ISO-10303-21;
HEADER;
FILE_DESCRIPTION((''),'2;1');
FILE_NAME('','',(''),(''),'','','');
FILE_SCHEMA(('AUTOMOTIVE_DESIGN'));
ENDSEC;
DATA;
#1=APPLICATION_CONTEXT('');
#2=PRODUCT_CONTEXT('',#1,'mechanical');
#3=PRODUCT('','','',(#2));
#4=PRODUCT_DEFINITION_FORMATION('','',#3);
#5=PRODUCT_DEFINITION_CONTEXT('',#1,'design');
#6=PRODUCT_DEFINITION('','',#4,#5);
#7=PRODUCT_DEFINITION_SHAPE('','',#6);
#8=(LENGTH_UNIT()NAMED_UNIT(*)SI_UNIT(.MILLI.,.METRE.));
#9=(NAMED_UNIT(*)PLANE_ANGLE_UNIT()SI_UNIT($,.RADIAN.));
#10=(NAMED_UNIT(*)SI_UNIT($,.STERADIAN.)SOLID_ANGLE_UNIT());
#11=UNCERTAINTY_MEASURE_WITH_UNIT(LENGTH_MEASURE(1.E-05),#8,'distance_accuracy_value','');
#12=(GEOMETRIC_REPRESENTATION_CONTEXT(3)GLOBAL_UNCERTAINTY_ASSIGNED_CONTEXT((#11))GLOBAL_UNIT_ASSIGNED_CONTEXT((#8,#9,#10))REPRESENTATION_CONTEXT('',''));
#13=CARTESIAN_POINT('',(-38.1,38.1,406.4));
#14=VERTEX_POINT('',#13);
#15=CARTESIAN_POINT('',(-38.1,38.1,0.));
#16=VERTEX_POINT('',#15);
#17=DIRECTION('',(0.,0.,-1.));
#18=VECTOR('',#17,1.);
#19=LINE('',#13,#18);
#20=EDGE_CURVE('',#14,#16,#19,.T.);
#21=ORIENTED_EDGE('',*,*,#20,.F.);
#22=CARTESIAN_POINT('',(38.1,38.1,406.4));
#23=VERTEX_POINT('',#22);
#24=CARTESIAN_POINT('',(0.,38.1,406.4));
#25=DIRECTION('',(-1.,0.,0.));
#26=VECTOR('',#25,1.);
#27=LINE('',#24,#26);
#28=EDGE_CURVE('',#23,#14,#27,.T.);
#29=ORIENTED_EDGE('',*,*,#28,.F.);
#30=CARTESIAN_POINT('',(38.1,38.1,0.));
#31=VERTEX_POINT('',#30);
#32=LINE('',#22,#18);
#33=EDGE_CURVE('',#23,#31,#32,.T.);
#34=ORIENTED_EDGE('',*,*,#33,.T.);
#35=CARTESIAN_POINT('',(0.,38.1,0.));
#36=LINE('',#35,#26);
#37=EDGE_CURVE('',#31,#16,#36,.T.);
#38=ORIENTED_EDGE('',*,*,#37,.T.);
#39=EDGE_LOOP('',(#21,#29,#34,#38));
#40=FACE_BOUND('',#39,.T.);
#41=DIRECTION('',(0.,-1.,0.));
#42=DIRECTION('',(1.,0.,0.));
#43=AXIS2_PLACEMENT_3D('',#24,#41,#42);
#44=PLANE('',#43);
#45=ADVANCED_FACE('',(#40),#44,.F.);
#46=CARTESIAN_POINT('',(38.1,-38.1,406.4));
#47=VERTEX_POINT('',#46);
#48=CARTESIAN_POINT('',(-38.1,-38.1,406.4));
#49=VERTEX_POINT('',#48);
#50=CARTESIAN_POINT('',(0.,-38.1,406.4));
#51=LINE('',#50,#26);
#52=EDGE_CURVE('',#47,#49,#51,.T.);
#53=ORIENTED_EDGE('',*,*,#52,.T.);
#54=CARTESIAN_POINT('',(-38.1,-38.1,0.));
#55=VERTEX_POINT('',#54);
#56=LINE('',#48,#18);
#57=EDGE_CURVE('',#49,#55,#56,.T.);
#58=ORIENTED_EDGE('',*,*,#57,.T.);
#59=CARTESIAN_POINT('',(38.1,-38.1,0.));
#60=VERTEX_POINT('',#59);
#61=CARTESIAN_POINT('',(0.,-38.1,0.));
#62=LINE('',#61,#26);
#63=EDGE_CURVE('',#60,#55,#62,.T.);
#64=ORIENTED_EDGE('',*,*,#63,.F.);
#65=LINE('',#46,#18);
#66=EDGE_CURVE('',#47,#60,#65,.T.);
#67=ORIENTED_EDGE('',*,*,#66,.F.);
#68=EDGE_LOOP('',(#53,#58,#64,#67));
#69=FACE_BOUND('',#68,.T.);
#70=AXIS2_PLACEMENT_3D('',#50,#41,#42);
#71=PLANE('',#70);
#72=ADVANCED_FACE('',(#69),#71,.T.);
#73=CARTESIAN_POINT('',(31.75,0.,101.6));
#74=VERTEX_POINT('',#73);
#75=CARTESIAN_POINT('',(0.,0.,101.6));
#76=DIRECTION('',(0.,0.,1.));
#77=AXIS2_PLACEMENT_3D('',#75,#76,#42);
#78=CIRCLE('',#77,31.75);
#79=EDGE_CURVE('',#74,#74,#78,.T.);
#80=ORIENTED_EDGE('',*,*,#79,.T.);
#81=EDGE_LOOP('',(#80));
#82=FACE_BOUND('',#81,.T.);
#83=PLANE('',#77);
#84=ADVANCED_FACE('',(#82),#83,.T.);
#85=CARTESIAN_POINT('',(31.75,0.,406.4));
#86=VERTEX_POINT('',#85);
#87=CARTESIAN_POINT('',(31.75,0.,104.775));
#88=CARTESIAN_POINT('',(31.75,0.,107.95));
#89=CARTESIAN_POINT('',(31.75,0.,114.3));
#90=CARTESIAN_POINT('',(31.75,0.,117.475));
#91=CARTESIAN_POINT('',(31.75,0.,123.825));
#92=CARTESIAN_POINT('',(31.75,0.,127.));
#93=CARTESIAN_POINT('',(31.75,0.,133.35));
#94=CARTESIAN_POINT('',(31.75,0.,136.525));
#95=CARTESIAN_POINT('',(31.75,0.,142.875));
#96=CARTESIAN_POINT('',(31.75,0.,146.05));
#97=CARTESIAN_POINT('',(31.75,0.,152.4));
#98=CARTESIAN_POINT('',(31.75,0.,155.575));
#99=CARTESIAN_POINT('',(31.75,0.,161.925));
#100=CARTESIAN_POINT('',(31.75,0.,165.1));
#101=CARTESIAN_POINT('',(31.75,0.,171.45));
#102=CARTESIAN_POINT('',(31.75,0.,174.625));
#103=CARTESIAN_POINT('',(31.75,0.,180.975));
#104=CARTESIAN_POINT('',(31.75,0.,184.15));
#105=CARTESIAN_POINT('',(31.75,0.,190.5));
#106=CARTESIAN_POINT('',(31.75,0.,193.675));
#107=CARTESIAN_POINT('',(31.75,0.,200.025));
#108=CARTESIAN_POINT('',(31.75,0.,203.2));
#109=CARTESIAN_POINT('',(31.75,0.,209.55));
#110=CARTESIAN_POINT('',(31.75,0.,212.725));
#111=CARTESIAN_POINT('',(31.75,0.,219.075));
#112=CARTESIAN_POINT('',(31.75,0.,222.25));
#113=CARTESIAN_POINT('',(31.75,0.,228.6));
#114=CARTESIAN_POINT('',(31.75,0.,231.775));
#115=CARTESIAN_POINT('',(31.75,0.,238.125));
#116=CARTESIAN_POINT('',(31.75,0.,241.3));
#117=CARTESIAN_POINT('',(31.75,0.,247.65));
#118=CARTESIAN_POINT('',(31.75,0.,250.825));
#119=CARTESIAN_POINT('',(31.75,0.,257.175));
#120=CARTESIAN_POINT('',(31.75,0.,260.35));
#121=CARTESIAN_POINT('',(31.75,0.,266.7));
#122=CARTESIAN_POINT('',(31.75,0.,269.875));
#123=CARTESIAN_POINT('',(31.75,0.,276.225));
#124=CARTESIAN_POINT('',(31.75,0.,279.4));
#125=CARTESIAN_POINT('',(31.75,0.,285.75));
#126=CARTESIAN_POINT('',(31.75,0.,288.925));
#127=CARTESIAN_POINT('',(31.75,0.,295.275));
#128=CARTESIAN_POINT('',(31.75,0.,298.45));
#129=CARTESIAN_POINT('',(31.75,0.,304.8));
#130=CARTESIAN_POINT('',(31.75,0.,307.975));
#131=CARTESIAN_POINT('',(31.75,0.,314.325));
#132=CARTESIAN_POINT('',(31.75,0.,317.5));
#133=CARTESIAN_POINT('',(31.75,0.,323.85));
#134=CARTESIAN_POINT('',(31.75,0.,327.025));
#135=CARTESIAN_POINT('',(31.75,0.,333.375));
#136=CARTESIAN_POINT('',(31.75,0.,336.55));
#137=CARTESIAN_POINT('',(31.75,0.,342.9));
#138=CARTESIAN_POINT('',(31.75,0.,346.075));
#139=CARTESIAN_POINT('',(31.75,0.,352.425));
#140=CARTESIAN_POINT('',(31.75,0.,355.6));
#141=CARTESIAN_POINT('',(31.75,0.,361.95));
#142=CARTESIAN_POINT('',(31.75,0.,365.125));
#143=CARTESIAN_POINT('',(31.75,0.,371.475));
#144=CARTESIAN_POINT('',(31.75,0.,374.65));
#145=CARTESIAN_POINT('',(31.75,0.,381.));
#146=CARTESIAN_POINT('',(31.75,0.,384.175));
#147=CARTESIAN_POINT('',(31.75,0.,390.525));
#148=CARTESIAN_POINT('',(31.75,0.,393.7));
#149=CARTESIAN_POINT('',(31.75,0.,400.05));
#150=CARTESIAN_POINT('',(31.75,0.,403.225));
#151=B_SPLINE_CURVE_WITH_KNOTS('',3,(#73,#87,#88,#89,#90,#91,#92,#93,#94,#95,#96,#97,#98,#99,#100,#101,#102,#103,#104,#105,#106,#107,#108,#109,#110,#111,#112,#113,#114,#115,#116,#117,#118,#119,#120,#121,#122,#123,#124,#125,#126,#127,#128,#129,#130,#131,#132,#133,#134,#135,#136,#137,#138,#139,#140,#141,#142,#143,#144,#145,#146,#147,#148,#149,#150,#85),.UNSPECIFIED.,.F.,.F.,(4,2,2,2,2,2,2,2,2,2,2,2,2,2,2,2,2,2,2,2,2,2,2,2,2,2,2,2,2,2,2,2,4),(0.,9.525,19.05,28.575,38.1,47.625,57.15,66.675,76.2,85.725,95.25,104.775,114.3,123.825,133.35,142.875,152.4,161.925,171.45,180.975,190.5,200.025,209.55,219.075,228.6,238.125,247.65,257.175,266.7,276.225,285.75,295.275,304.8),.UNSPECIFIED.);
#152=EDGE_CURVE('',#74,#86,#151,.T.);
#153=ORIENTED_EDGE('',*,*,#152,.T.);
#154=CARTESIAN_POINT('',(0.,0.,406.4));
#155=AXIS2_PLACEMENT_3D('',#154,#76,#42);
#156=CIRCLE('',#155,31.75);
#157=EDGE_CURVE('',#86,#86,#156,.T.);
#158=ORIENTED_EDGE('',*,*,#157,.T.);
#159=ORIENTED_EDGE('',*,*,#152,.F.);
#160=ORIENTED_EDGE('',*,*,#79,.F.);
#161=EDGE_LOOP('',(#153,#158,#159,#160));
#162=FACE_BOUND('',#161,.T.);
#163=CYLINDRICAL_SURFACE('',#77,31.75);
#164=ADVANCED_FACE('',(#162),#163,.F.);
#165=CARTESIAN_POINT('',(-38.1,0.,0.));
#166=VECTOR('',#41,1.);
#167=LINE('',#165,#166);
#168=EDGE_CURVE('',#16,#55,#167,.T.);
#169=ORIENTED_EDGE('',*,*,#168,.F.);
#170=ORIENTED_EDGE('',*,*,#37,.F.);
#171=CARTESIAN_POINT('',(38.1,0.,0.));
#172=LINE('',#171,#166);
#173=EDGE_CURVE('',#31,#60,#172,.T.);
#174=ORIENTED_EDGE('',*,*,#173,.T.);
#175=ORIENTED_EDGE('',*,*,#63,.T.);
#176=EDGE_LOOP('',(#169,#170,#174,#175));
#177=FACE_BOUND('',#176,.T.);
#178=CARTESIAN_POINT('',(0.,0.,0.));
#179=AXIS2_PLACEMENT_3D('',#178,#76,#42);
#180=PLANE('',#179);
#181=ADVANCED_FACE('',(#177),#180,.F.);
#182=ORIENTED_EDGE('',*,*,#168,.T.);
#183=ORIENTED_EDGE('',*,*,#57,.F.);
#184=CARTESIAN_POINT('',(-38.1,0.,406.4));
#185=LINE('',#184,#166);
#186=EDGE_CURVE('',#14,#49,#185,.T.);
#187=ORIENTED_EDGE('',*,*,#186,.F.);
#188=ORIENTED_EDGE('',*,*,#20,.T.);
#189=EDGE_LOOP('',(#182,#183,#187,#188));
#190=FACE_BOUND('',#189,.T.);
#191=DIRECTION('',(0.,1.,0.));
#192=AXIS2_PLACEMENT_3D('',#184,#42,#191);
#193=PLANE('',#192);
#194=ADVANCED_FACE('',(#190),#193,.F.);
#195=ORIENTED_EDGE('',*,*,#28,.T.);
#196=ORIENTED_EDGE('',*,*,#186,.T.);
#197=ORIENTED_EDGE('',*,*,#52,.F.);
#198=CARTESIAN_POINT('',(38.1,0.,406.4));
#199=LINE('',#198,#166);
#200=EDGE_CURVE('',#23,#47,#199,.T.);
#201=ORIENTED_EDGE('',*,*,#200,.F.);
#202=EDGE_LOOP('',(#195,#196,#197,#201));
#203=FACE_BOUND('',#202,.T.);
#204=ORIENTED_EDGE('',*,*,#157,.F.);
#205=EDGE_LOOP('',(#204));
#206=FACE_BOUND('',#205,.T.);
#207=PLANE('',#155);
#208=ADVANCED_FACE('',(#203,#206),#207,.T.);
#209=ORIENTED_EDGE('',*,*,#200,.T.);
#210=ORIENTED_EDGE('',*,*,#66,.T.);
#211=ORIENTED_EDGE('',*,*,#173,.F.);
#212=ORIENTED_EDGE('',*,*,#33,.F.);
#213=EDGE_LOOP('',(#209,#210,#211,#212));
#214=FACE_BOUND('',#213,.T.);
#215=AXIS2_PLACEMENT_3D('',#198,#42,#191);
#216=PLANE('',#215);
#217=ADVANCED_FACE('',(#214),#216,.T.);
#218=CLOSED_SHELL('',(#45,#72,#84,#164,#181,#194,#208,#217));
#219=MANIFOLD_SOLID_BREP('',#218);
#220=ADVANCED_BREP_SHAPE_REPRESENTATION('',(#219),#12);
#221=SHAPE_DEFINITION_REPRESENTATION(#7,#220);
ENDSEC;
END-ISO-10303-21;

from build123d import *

# Parameters (mm, degrees)
SKETCH1_W           = 76.2
SKETCH1_H           = 76.2
SKETCH1_R           = 31.75
BOSS_EXTRUDE1_DEPTH = 406.4
CUT_EXTRUDE1_START  = 406.4
SKETCH1_3_R         = 31.75
CUT_EXTRUDE1_DEPTH  = 304.8


with BuildPart() as part:
    # Sketch1 → Boss-Extrude1 (new body)
    with BuildSketch(Plane.XY):
        Rectangle(SKETCH1_W, SKETCH1_H)
        Circle(SKETCH1_R, mode=Mode.SUBTRACT)
        Circle(SKETCH1_R)
    extrude(amount=BOSS_EXTRUDE1_DEPTH)

    # Sketch1<3> → Cut-Extrude1 (cut)
    with BuildSketch(Plane.XY.offset(CUT_EXTRUDE1_START)):
        Circle(SKETCH1_3_R)
    extrude(amount=-CUT_EXTRUDE1_DEPTH, mode=Mode.SUBTRACT)


solid = part.part
